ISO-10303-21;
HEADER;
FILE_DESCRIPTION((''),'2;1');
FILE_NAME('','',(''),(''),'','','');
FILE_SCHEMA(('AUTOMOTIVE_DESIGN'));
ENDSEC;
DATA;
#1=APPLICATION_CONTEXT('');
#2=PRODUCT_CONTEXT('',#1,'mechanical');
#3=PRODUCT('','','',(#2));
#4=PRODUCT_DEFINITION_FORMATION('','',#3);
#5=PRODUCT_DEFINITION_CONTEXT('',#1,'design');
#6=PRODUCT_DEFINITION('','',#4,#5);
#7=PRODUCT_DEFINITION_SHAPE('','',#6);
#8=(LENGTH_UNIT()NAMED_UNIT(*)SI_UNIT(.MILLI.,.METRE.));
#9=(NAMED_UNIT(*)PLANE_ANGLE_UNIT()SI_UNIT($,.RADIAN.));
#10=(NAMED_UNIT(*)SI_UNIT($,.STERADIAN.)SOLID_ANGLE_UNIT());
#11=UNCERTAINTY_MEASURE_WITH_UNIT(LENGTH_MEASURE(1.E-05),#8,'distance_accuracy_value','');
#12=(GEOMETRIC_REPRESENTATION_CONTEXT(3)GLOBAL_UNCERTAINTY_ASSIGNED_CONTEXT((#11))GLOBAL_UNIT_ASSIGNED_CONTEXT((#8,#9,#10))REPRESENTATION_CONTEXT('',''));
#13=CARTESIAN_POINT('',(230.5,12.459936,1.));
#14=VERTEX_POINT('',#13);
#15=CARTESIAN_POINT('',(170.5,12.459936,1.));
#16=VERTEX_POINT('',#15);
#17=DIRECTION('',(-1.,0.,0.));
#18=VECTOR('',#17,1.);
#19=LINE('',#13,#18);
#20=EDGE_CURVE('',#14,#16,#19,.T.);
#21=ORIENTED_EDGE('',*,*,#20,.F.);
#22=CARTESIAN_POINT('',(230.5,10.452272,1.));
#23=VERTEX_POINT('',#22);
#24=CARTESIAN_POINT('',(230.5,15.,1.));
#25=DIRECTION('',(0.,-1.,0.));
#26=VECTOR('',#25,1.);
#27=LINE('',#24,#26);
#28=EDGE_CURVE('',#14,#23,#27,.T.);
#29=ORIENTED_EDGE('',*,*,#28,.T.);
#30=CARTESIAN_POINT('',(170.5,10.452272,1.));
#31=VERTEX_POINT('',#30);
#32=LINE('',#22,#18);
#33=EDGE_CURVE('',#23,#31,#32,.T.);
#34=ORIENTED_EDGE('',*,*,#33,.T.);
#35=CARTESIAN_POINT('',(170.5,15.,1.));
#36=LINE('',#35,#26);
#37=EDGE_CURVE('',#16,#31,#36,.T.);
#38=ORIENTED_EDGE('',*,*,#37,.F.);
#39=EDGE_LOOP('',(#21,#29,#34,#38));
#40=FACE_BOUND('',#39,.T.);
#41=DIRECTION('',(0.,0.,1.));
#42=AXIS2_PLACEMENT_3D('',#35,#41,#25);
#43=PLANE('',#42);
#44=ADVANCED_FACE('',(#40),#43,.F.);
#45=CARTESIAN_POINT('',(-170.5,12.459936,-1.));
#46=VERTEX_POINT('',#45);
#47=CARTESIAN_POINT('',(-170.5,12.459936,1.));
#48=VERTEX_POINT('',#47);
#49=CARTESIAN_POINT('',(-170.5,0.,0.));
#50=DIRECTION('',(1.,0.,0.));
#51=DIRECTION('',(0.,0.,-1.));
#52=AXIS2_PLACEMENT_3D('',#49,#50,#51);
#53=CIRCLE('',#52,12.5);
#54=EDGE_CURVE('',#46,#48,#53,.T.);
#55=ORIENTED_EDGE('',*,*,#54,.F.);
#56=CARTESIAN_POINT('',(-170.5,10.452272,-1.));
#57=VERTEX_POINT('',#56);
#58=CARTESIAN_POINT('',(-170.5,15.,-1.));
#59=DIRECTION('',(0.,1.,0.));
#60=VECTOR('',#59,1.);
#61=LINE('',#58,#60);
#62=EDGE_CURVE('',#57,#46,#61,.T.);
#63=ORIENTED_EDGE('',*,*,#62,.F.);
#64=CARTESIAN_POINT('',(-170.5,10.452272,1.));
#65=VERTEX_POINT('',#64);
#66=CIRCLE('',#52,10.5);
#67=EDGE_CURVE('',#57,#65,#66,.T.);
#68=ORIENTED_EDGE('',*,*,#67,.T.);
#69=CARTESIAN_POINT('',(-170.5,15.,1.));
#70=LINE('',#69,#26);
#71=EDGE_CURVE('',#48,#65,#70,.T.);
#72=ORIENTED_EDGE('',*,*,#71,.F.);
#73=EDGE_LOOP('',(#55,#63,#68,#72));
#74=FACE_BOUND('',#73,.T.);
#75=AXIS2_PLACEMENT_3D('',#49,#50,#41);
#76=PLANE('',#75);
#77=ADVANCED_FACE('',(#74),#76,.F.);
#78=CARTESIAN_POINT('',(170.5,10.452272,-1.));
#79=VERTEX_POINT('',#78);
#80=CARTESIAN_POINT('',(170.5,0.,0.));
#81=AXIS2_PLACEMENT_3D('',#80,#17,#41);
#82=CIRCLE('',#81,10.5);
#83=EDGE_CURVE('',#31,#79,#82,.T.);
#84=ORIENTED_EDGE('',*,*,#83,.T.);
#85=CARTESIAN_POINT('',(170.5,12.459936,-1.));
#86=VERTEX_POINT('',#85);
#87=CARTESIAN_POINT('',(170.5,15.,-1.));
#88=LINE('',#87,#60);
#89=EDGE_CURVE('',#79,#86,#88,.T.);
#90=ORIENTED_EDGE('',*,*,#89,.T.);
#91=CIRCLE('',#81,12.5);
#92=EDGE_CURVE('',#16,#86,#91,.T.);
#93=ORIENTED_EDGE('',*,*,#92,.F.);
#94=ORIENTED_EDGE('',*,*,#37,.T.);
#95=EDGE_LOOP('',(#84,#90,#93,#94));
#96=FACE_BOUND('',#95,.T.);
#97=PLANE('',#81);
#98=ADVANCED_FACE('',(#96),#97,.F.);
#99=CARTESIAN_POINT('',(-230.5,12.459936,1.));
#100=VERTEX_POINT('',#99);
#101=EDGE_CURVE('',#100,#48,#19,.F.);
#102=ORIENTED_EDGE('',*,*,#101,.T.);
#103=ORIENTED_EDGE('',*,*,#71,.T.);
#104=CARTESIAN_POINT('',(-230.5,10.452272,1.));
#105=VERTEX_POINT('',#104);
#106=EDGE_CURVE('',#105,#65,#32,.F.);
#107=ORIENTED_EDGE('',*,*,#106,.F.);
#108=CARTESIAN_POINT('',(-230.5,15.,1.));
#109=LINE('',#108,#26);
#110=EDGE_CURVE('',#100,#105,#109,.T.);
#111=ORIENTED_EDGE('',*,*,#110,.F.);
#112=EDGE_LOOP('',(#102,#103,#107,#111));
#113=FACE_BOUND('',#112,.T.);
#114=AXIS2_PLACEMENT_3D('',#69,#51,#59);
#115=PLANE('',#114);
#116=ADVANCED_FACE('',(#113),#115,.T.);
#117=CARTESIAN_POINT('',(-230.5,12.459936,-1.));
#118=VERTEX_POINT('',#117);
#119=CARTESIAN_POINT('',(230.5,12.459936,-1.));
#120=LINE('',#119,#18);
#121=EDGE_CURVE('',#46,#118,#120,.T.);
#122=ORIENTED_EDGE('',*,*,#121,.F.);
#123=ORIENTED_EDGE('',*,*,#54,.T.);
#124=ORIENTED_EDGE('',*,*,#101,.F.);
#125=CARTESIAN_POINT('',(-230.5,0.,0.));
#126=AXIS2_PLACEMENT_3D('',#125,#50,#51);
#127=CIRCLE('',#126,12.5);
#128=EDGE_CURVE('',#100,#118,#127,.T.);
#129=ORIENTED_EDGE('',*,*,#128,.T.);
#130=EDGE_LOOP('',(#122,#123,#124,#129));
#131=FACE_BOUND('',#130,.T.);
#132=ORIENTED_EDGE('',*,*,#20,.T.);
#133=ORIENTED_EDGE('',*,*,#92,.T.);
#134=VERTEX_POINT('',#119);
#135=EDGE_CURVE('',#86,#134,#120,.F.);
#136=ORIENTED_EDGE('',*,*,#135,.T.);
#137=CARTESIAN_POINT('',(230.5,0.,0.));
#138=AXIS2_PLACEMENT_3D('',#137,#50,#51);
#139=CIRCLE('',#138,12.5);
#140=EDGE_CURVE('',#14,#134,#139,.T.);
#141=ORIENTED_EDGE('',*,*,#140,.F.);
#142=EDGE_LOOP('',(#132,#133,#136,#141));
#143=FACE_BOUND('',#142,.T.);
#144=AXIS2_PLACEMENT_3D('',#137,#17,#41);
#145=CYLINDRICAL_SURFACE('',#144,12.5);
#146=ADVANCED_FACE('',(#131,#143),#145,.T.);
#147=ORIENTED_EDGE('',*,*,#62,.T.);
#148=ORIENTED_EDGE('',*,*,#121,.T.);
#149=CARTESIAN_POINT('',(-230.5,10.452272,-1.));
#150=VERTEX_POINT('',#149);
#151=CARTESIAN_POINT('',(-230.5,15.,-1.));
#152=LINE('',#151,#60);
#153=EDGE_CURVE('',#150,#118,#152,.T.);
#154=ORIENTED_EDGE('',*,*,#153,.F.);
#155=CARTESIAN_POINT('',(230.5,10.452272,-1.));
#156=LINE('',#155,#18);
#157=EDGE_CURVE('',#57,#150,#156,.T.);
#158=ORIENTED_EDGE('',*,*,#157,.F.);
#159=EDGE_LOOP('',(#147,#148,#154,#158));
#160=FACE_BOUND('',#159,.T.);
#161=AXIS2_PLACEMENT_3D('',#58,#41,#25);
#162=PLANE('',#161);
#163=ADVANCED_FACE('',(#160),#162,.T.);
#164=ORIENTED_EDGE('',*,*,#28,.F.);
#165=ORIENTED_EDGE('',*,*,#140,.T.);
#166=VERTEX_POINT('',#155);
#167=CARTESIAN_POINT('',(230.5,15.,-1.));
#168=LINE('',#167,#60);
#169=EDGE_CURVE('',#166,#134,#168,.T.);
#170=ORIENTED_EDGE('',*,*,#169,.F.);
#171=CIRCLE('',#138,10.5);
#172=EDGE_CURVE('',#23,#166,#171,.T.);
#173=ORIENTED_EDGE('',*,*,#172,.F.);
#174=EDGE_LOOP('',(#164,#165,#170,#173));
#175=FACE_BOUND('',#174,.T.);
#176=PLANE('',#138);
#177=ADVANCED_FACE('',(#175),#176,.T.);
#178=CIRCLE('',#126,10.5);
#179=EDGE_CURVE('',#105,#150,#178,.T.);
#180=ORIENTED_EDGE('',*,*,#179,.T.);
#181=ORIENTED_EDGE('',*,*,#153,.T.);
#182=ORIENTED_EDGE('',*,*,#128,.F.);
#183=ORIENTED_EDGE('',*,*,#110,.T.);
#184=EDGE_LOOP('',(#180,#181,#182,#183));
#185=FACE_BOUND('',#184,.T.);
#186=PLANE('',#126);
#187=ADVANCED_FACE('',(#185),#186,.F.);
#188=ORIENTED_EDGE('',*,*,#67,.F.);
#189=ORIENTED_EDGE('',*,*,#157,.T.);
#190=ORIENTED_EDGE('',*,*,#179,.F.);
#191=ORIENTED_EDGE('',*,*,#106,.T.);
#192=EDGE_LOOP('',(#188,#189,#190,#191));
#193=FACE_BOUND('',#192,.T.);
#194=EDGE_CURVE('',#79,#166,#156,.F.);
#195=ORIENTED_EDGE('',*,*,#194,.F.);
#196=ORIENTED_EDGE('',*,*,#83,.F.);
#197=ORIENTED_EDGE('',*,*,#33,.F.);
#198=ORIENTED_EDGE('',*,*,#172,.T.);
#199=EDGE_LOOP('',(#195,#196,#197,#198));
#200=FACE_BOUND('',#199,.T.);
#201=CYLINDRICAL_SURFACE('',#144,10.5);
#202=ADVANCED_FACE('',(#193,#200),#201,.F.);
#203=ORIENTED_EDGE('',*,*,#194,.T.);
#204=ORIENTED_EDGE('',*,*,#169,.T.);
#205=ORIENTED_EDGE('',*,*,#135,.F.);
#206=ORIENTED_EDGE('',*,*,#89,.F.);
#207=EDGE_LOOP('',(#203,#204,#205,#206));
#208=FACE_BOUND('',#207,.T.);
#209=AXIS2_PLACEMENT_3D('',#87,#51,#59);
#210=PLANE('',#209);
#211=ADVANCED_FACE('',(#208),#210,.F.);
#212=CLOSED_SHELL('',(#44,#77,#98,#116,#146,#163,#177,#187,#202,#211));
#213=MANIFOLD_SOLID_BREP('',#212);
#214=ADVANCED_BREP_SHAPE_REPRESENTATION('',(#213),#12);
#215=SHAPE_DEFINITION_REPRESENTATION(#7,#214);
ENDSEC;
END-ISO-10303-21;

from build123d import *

# Parameters (mm, degrees)
ESBO_O2_R                = 12.5
ESBO_O2_R_2              = 10.5
RESSALTO_EXTRUS_O1_DEPTH = 230.5
ESBO_O3_W                = 2
ESBO_O3_H                = 5
CORTE_EXTRUS_O1_DEPTH    = 60


with BuildPart() as part:
    # Esboço2 → Ressalto-extrusão1 (new, symmetric)
    with BuildSketch(Plane(origin=(0, 0, 0), x_dir=(0, 0, -1), z_dir=(1, 0, 0))):
        Circle(ESBO_O2_R)
        Circle(ESBO_O2_R_2, mode=Mode.SUBTRACT)
    extrude(amount=RESSALTO_EXTRUS_O1_DEPTH, both=True)

    # Esboço3 → Corte-extrusão1 (cut)
    with BuildSketch(Plane(origin=(230.5, 0, 0), x_dir=(0, 0, -1), z_dir=(1, 0, 0))):
        with Locations((0, 12.5)):
            Rectangle(ESBO_O3_W, ESBO_O3_H)
    corte_extrus_o1 = extrude(amount=-CORTE_EXTRUS_O1_DEPTH, mode=Mode.SUBTRACT)

    # Espelhar1: Corte-extrusão1 across plane
    add(corte_extrus_o1.mirror(Plane(origin=(0, 0, 0), x_dir=(0, 0, 1), z_dir=(1, 0, 0))), mode=Mode.SUBTRACT)


solid = part.part
